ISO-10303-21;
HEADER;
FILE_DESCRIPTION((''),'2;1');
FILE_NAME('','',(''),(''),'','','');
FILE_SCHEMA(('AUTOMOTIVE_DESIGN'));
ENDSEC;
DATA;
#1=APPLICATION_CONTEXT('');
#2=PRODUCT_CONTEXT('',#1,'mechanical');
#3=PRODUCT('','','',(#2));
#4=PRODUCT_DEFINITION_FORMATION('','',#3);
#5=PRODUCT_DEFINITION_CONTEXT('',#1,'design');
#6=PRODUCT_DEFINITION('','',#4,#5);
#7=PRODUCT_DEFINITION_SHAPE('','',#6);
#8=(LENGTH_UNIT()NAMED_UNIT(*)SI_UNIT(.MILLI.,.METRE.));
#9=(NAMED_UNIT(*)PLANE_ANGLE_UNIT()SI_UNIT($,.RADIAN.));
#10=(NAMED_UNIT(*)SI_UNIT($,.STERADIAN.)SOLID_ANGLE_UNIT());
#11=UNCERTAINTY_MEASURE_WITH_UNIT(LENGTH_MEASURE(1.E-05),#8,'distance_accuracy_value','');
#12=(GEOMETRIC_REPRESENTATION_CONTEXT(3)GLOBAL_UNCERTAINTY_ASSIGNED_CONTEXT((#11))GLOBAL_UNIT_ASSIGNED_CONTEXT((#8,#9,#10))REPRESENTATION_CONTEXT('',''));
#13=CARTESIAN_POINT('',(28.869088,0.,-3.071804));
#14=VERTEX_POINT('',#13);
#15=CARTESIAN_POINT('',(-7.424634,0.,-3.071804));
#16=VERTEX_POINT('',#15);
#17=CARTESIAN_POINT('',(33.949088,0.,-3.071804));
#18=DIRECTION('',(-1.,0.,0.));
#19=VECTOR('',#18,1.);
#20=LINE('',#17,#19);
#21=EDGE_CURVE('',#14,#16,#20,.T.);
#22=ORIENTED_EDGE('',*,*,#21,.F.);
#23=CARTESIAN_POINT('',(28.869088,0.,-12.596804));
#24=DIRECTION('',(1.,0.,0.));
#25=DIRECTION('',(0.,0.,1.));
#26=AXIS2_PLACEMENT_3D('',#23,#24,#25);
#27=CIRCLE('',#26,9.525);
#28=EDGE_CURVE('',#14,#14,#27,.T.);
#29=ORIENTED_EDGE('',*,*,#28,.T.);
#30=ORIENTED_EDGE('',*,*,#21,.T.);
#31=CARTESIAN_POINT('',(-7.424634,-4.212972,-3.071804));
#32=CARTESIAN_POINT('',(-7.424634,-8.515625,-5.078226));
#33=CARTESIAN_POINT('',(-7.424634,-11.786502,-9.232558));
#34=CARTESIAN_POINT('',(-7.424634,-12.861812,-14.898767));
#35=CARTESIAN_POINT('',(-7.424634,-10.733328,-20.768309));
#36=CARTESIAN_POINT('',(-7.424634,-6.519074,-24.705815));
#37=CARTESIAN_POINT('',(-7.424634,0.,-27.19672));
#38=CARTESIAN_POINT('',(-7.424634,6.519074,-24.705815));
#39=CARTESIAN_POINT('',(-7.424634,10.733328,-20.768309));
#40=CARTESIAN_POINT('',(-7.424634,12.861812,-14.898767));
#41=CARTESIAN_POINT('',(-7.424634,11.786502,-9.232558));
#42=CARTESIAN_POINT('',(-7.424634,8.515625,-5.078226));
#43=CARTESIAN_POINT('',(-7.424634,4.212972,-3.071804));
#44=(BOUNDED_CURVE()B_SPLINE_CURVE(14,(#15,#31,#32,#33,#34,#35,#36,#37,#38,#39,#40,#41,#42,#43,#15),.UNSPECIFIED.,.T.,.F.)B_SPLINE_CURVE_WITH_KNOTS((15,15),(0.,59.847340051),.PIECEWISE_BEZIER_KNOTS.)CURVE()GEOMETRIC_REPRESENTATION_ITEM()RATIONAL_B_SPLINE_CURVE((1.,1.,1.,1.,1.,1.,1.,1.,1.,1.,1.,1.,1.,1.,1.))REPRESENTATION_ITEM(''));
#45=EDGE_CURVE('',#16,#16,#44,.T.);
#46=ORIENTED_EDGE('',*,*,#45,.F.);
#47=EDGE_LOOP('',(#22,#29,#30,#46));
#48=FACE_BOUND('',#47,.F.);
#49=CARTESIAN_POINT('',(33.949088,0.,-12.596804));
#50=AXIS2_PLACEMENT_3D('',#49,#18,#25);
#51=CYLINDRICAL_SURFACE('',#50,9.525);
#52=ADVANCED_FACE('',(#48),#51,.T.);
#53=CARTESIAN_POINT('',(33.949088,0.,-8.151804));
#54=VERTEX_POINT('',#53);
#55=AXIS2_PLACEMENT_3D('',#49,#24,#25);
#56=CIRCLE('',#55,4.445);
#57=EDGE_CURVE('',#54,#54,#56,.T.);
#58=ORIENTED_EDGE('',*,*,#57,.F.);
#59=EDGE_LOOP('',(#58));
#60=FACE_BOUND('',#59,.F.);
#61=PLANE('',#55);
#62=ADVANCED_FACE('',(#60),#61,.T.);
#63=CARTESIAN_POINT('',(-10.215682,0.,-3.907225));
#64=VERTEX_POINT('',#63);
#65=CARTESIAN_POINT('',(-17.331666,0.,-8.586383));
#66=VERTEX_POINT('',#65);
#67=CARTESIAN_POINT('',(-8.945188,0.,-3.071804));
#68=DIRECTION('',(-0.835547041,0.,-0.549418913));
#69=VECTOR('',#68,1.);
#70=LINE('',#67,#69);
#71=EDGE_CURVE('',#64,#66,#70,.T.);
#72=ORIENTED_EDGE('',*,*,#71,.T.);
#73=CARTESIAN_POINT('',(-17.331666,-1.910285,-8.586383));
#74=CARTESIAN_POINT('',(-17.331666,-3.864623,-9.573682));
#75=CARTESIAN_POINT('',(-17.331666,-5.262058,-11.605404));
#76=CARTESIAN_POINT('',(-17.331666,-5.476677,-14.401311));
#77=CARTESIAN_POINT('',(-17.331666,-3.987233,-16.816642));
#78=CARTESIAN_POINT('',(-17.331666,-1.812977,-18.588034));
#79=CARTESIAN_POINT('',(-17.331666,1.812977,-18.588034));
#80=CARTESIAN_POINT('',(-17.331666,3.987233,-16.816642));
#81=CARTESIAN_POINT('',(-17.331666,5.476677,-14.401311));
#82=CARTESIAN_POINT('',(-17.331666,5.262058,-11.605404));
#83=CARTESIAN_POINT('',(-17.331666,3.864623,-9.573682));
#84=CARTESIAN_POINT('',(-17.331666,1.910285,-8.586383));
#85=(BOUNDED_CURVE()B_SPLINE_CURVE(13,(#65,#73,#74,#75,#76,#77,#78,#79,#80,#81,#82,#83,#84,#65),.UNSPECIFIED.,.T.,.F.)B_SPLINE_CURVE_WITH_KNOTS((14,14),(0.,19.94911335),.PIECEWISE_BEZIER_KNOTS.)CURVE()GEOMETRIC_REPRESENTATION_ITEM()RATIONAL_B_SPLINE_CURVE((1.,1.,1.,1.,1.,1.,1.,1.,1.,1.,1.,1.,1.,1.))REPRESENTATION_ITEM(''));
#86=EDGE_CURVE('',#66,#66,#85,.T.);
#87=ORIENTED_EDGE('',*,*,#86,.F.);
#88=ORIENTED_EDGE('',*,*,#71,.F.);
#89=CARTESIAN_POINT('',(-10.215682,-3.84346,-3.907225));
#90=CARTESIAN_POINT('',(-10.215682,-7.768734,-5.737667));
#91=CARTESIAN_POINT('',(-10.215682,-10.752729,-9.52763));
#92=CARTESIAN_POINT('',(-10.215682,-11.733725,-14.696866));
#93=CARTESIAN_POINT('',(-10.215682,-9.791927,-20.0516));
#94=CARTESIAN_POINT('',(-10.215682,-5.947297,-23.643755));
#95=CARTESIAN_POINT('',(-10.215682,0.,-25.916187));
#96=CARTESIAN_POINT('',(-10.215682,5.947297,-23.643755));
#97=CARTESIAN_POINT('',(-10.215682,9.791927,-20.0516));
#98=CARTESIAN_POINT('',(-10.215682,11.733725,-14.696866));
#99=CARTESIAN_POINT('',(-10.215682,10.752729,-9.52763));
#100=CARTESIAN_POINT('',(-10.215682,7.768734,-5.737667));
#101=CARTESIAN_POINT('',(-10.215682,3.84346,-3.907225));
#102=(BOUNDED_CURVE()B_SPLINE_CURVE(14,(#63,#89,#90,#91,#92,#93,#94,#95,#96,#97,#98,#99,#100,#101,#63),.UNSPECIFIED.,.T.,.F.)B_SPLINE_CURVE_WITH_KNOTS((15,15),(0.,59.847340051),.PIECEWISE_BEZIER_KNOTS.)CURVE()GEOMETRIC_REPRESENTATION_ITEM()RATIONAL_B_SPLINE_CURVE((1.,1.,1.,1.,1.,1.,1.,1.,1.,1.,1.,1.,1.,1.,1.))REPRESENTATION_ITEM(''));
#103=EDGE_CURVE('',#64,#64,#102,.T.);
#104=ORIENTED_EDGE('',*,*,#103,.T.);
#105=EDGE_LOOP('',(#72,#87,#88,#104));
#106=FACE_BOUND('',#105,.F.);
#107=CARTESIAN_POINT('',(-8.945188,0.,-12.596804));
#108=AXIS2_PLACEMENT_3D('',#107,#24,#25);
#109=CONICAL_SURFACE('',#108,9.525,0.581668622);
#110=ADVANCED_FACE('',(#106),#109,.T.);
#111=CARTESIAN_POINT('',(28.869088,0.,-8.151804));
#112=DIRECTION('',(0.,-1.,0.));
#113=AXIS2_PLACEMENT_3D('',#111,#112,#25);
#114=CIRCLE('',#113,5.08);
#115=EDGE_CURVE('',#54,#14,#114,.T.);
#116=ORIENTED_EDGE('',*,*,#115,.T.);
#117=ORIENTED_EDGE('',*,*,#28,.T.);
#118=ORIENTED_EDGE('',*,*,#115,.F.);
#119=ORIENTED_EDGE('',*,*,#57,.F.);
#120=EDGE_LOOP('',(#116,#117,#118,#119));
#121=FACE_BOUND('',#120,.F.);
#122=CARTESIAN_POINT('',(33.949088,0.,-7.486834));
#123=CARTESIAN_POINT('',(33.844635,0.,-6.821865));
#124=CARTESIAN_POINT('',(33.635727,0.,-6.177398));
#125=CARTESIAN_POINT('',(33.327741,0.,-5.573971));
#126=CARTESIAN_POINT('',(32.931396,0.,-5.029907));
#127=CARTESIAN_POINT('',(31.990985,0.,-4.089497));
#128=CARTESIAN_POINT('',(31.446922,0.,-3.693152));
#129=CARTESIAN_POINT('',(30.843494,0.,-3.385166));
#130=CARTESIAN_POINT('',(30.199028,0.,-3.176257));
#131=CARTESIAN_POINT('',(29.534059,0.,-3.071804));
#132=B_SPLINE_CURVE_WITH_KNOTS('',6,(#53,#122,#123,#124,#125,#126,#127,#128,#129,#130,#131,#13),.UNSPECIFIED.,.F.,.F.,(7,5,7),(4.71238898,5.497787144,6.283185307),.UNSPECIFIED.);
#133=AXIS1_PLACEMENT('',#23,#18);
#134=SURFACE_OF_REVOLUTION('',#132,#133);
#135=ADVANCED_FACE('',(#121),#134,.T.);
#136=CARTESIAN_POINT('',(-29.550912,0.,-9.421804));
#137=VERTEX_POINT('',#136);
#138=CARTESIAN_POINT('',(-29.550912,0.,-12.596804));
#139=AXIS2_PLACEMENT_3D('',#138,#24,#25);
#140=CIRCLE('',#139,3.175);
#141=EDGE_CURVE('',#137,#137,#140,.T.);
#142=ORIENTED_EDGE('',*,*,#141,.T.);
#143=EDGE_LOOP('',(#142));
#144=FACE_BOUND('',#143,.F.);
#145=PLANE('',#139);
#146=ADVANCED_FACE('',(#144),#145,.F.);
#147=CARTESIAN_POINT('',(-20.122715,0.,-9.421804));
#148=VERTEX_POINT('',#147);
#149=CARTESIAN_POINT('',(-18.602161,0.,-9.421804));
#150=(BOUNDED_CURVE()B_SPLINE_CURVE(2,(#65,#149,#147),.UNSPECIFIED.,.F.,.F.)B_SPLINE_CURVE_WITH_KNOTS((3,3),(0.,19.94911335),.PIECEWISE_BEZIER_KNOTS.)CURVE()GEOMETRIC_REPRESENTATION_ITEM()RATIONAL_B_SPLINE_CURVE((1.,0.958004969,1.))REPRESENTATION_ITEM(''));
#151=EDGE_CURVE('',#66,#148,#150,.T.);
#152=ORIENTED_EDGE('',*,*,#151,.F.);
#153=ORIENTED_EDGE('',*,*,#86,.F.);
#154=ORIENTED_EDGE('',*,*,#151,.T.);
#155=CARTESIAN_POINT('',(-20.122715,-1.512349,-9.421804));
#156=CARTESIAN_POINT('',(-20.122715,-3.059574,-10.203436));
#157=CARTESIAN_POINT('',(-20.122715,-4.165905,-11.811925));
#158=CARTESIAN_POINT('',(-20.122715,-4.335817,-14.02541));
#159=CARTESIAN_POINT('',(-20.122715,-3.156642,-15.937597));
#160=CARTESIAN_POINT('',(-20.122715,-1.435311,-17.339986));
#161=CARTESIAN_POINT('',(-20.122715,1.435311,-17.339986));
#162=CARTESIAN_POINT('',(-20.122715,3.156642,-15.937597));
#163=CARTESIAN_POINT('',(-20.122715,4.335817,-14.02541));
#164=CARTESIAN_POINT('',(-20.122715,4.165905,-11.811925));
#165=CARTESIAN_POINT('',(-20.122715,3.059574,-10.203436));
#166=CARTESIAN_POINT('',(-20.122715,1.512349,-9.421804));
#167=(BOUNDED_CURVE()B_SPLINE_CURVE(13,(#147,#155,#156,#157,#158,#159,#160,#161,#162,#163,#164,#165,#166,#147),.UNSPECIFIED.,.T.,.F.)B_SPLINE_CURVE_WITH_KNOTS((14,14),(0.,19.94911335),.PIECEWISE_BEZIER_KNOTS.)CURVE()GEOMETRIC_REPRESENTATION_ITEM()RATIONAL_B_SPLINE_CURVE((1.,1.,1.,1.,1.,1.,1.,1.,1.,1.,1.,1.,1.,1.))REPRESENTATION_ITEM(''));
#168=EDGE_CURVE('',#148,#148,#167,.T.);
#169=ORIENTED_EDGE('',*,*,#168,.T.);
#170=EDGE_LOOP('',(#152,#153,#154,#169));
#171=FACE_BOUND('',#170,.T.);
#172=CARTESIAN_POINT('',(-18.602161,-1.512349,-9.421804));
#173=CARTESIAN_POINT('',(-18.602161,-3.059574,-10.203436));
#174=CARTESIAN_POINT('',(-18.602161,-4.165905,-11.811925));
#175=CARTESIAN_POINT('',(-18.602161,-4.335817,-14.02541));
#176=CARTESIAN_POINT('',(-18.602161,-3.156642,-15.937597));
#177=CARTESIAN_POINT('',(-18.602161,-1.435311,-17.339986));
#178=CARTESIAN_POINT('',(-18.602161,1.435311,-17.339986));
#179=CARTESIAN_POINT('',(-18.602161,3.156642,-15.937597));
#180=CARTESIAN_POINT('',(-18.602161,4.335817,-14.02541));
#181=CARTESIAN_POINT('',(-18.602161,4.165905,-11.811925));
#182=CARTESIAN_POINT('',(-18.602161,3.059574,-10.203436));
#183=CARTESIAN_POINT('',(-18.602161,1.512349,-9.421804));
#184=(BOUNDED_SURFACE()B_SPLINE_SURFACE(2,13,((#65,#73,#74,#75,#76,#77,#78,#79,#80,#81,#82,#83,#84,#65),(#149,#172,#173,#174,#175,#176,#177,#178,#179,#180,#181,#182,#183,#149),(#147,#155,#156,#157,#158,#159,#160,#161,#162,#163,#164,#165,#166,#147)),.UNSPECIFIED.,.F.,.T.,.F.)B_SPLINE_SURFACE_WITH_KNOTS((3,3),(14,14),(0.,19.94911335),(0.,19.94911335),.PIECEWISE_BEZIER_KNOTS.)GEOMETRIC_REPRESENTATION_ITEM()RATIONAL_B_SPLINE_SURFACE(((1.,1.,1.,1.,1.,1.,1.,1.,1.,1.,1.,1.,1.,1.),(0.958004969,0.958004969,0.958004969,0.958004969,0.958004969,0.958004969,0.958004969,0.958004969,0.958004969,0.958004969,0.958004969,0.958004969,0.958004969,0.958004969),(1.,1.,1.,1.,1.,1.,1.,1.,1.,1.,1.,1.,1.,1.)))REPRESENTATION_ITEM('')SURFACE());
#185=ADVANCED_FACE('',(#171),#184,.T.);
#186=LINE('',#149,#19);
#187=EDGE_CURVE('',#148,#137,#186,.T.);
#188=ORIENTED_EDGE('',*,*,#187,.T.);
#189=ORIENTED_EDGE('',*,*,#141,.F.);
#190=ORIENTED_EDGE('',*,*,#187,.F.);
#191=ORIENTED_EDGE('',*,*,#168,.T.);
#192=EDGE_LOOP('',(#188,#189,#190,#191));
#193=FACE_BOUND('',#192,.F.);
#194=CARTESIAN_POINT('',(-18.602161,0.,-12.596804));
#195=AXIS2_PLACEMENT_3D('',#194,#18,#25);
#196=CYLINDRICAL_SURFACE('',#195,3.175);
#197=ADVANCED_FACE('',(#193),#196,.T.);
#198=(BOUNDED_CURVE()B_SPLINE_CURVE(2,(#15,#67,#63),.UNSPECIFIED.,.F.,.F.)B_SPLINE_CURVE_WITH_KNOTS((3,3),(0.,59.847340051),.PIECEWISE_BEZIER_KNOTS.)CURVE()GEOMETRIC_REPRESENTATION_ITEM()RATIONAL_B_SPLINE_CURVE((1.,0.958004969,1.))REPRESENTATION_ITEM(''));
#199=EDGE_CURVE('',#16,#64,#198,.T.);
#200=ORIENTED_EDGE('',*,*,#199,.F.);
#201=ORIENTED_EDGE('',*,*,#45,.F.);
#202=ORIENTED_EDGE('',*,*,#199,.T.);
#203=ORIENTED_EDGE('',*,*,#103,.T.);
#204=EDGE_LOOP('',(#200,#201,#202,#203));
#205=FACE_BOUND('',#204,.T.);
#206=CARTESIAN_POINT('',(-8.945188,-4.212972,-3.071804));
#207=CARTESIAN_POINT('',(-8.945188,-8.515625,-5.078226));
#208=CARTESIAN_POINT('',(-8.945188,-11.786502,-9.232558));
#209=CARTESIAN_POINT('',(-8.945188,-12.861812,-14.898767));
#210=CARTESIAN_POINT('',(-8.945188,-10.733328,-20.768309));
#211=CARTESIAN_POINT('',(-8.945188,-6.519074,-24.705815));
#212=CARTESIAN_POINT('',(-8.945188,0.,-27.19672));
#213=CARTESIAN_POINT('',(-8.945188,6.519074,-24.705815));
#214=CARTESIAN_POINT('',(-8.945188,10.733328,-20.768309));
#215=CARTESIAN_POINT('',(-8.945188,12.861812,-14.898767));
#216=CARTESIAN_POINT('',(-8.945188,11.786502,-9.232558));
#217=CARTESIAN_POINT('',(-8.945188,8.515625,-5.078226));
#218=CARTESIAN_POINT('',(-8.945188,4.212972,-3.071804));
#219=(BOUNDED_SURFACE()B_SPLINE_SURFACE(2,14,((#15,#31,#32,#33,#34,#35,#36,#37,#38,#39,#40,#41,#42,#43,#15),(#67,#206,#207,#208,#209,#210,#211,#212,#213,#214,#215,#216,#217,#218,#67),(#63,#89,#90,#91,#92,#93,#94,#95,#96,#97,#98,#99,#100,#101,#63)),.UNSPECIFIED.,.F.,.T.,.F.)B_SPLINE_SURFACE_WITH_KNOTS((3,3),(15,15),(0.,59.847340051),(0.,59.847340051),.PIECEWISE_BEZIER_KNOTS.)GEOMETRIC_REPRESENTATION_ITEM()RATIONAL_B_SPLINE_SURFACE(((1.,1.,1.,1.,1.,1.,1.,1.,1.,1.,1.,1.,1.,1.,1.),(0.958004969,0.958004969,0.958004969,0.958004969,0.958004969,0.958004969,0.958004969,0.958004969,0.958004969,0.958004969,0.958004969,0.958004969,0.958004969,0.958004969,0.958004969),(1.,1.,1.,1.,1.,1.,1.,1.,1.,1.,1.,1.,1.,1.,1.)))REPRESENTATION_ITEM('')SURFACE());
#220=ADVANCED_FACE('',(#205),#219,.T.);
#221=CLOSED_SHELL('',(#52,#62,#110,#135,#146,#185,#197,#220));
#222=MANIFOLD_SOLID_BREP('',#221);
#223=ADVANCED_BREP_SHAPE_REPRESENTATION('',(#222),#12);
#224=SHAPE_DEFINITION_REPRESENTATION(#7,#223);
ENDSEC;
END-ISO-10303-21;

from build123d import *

# Parameters (mm, degrees)
F2_R = 5.08
F3_R = 5.08


with BuildPart() as f1:
    # F0 (on Front) → F1 (revolve)
    with BuildSketch(Plane.XZ):
        Polygon((-18.6021607369, -9.4218043774), (-29.5509118587, -9.4218043774), (-29.5509118587, -12.5968043774), (33.9490881413, -12.5968043774), (33.9490881413, -3.0718043774), (-8.9451875538, -3.0718043774), align=None)
    revolve(axis=Axis((2.1990881413, 0, -12.5968043774), (1, 0, 0)))

    # F2
    f2_edges = [f1.edges().sort_by_distance(p)[0] for p in [
        (33.949088, 0, -22.121804),
    ]]
    fillet(f2_edges, radius=F2_R)

    # F3
    f3_edges = [f1.edges().sort_by_distance(p)[0] for p in [
        (-8.945188, 0, -22.121804),
        (-18.602161, 0, -15.771804),
        (-13.773674, 0, -6.246804),
    ]]
    fillet(f3_edges, radius=F3_R)


solid = f1.part
